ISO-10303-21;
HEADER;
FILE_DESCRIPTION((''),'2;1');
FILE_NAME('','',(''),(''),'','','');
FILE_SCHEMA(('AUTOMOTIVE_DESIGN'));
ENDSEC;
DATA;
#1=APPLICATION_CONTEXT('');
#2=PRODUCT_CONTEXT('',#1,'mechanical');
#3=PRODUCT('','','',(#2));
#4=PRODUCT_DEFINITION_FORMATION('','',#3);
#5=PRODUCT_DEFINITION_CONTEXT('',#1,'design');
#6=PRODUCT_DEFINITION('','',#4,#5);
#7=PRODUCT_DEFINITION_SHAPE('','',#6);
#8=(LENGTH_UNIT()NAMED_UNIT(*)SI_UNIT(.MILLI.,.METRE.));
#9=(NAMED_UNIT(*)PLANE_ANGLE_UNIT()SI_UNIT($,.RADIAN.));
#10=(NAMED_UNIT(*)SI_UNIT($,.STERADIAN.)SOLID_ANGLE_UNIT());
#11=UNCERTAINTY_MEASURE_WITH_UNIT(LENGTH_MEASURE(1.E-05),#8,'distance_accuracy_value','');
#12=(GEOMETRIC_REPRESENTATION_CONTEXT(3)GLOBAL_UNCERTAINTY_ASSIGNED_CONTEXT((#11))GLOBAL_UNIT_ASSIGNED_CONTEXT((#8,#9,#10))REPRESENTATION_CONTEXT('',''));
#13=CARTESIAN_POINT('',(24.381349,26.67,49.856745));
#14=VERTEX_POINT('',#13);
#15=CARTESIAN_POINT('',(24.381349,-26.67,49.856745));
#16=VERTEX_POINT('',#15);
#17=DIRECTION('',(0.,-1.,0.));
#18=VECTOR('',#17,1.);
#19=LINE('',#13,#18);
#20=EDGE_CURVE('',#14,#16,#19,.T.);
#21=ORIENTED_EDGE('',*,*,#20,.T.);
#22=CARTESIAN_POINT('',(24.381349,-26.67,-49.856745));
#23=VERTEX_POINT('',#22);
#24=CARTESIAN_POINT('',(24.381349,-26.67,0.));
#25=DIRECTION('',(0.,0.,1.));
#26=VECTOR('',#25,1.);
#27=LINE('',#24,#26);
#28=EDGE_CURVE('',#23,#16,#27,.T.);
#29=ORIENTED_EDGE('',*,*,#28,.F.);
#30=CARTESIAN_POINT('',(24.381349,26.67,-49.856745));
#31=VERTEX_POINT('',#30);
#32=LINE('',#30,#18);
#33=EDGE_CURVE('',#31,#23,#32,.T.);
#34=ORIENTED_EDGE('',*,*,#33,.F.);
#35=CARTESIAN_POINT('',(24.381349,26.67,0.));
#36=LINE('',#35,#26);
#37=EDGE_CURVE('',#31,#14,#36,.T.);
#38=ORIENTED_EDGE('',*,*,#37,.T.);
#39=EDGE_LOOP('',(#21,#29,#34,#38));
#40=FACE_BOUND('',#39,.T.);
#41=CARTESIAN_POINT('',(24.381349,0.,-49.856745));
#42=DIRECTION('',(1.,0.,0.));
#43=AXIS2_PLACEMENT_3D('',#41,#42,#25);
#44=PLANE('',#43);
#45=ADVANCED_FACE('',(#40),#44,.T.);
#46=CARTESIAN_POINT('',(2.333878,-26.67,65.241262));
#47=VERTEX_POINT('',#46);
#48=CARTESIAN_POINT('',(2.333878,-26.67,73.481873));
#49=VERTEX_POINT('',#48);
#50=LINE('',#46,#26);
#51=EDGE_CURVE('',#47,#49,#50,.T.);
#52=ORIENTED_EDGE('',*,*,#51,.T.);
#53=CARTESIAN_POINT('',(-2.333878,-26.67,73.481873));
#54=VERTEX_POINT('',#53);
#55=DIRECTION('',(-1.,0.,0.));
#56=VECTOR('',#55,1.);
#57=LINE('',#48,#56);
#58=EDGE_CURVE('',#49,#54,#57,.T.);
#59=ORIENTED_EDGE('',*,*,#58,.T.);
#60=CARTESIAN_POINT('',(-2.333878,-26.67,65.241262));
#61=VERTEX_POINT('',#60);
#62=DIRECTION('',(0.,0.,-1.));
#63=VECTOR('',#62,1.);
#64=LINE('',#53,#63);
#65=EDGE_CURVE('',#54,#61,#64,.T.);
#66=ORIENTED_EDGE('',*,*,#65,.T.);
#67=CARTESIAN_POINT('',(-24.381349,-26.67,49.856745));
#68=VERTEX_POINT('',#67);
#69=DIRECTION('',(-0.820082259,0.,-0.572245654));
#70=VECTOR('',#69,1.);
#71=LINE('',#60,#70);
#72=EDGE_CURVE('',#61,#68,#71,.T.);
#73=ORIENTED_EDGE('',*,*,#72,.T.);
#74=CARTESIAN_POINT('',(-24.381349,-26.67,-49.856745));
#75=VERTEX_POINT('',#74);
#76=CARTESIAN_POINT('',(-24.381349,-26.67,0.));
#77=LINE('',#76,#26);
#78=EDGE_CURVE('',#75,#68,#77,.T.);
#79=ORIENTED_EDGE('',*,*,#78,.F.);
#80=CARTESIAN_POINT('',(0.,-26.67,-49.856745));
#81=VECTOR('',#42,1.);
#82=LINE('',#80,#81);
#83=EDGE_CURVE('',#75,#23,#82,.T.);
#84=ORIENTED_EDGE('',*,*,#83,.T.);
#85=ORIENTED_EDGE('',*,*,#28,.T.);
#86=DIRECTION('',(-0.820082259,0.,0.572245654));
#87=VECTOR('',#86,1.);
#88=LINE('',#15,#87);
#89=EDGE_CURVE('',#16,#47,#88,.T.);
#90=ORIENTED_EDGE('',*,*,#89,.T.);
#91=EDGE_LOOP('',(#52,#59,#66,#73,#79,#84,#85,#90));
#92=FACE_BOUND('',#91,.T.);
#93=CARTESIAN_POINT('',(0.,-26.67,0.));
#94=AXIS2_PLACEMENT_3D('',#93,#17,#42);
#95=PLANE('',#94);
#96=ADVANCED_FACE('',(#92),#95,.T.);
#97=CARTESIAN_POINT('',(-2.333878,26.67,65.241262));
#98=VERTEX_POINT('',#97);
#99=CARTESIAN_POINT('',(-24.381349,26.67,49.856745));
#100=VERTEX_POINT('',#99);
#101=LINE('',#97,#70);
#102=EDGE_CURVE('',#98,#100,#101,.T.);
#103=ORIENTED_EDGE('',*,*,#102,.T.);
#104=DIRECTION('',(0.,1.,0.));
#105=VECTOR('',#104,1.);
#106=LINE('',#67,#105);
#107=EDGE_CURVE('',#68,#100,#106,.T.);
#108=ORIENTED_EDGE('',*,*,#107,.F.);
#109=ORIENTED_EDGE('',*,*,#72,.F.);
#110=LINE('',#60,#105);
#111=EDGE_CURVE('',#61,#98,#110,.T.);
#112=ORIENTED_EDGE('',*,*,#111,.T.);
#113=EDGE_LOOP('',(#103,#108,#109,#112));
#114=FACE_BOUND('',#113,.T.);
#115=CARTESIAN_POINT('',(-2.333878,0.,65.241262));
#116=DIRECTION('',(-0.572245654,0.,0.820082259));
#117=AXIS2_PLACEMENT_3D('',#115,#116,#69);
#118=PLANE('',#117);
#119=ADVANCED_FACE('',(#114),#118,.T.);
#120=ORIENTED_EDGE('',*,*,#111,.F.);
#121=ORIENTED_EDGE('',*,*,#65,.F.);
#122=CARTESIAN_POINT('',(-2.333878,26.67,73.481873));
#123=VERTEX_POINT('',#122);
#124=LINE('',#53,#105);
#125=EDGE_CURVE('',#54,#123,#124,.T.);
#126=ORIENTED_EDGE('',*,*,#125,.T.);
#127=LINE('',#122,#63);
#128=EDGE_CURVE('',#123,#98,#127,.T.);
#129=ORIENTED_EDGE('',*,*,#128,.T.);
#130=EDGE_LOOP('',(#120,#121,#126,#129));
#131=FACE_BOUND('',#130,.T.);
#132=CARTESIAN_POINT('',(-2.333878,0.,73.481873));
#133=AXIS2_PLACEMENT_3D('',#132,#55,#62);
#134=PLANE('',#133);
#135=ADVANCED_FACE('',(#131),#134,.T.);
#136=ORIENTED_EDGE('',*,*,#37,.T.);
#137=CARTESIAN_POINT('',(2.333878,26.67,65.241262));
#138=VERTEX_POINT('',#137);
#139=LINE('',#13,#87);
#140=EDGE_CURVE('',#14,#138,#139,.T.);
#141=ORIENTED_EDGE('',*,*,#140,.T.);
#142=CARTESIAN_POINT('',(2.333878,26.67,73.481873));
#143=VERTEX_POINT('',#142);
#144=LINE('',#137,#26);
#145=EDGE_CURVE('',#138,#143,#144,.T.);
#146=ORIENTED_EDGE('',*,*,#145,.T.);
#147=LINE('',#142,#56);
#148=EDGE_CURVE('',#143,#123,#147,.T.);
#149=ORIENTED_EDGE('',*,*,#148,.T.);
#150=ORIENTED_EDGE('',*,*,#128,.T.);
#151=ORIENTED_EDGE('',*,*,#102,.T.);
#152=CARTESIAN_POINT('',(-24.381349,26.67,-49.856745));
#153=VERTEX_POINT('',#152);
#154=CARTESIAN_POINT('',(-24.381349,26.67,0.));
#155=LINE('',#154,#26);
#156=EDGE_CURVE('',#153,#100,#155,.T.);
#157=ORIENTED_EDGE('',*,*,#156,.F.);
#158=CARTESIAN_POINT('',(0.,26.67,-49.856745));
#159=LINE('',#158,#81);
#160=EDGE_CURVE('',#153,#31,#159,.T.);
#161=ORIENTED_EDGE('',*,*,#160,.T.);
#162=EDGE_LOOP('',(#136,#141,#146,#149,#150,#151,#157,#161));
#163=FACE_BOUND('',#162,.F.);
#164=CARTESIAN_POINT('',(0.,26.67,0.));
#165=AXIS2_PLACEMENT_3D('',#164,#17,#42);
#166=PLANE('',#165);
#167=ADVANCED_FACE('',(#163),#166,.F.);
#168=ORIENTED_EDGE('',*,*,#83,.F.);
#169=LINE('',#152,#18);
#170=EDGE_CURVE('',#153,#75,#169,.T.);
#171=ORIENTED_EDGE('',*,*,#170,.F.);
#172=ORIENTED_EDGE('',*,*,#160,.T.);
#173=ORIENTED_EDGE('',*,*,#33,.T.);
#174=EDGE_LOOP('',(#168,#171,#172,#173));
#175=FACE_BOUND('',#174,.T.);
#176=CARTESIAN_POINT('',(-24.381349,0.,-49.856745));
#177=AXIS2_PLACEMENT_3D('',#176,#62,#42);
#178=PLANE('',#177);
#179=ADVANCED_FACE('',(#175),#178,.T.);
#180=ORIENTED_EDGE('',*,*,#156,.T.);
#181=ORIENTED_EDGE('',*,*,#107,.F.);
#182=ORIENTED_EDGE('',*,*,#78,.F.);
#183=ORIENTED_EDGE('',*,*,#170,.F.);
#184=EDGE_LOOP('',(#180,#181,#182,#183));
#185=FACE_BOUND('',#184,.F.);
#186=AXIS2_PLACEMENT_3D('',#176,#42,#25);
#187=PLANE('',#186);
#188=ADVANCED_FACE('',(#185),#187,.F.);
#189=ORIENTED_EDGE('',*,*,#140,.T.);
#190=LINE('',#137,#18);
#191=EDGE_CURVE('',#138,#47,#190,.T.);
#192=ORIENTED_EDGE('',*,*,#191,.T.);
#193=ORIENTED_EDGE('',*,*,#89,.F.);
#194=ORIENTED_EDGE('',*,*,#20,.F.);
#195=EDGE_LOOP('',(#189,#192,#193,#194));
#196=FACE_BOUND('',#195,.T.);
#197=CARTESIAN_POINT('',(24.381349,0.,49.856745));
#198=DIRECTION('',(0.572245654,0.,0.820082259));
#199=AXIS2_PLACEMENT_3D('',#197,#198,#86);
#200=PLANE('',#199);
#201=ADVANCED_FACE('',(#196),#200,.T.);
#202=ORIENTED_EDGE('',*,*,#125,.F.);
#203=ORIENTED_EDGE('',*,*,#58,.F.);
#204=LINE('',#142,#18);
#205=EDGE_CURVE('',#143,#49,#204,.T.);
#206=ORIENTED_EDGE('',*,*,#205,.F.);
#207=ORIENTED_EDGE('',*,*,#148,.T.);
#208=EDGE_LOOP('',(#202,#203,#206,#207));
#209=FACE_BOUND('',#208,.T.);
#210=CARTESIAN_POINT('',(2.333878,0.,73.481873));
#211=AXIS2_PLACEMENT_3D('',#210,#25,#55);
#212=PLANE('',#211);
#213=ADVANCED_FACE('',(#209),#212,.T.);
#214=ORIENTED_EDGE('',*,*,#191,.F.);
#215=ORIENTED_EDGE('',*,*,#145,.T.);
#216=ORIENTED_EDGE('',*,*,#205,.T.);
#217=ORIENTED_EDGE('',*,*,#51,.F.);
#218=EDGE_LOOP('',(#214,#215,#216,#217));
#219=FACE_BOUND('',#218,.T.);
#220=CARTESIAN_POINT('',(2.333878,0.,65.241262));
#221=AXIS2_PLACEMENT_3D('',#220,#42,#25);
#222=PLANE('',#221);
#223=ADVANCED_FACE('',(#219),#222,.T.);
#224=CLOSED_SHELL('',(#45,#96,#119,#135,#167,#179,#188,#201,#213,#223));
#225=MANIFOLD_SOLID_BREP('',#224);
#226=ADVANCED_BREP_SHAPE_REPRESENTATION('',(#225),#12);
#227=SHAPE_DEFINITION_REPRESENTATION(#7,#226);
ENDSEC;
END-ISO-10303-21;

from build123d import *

# Parameters (mm, degrees)
F0_W     = 48.762698
F0_H     = 99.71349
F1_DEPTH = 26.67


with BuildPart() as f1:
    # F0 (on Front) → F1 (new body, symmetric)
    with BuildSketch(Plane.XZ):
        Rectangle(F0_W, F0_H)
        Polygon((-24.381349, 49.856745), (24.381349, 49.856745), (2.333878, 65.241262), (2.333878, 73.481873), (0, 73.481873), (-2.333878, 73.481873), (-2.333878, 65.241262), align=None)
    extrude(amount=F1_DEPTH, both=True)


solid = f1.part
